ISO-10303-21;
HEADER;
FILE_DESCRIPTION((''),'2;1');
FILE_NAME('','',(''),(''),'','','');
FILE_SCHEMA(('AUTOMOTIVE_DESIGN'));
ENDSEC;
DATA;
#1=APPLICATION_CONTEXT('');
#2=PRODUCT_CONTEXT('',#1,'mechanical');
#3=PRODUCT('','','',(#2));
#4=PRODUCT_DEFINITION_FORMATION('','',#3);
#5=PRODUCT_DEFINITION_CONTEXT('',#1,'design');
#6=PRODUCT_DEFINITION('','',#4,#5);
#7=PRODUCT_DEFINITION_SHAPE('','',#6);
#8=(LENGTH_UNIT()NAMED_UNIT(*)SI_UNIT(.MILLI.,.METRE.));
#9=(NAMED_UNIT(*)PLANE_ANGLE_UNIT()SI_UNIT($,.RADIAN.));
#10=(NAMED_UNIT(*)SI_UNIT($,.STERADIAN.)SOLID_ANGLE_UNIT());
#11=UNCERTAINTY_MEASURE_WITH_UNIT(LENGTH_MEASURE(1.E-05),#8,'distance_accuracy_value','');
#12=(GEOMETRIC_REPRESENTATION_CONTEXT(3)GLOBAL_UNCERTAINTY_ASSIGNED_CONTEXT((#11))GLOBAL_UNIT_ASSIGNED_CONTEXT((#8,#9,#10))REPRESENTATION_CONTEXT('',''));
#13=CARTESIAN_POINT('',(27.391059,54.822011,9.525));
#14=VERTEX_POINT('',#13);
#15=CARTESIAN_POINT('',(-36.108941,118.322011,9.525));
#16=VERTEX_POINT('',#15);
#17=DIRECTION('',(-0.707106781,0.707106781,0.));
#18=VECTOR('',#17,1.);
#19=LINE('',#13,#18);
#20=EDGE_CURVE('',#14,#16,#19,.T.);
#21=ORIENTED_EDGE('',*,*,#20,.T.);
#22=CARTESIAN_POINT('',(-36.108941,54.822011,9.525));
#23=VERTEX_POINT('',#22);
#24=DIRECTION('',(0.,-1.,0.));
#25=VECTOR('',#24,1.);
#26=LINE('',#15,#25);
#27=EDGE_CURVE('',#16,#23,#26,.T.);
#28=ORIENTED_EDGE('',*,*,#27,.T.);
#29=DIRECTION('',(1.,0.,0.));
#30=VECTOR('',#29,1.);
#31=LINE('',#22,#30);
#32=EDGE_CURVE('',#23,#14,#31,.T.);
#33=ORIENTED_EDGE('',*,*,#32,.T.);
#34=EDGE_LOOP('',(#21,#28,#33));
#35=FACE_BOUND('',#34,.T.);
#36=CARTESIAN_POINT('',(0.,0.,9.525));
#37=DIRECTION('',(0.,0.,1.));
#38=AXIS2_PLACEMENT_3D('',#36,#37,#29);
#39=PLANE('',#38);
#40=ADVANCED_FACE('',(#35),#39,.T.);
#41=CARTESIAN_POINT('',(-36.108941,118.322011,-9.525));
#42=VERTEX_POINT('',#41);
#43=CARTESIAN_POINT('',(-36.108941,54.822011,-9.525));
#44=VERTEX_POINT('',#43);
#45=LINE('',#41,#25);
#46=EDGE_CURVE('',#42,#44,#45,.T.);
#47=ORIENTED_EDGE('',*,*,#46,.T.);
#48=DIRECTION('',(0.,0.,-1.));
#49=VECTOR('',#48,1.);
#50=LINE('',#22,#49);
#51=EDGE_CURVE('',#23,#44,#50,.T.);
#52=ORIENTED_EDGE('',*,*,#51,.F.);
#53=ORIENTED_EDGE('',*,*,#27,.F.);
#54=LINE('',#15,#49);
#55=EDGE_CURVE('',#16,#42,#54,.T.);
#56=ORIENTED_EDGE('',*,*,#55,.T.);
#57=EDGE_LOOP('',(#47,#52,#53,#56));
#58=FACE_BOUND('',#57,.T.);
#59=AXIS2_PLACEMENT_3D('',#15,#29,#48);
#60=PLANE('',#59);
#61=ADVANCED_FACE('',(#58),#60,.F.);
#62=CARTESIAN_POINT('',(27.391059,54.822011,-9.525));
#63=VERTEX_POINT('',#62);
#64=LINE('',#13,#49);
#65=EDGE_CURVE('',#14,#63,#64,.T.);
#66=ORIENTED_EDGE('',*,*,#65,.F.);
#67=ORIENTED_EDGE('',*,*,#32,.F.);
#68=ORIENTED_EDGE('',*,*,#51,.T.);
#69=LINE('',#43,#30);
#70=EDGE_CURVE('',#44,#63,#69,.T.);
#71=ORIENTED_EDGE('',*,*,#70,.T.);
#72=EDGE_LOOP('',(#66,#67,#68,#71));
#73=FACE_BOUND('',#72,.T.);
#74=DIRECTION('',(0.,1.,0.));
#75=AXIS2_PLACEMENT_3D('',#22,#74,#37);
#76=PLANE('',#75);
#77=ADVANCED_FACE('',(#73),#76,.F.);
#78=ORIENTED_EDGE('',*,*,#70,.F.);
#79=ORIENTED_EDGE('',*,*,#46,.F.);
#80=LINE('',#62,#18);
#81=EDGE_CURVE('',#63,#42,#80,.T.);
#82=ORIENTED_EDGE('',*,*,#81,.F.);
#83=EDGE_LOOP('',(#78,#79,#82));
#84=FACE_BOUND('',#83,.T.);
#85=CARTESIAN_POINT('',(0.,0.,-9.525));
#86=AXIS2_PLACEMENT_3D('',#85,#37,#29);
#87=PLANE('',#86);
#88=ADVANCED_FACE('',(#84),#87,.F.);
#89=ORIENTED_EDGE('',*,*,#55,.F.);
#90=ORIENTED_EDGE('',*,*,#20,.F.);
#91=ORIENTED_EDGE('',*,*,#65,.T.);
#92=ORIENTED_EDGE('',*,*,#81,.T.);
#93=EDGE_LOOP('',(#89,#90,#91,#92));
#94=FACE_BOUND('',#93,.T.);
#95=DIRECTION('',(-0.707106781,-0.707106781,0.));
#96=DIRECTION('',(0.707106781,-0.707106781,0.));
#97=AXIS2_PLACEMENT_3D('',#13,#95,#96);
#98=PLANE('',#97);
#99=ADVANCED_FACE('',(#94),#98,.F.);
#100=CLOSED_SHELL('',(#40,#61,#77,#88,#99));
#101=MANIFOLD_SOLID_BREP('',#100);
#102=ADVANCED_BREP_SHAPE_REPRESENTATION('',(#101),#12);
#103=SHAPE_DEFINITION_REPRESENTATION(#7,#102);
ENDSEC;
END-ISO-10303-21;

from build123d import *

# Parameters (mm, degrees)
BOSS_EXTRUDE1_DEPTH = 9.525


with BuildPart() as part:
    # Sketch1 → Boss-Extrude1 (new, symmetric)
    with BuildSketch(Plane.XY):
        Polygon((-36.108940535, 118.322011305), (-36.108940535, 54.822011305), (27.391059465, 54.822011305), align=None)
    extrude(amount=BOSS_EXTRUDE1_DEPTH, both=True)


solid = part.part
